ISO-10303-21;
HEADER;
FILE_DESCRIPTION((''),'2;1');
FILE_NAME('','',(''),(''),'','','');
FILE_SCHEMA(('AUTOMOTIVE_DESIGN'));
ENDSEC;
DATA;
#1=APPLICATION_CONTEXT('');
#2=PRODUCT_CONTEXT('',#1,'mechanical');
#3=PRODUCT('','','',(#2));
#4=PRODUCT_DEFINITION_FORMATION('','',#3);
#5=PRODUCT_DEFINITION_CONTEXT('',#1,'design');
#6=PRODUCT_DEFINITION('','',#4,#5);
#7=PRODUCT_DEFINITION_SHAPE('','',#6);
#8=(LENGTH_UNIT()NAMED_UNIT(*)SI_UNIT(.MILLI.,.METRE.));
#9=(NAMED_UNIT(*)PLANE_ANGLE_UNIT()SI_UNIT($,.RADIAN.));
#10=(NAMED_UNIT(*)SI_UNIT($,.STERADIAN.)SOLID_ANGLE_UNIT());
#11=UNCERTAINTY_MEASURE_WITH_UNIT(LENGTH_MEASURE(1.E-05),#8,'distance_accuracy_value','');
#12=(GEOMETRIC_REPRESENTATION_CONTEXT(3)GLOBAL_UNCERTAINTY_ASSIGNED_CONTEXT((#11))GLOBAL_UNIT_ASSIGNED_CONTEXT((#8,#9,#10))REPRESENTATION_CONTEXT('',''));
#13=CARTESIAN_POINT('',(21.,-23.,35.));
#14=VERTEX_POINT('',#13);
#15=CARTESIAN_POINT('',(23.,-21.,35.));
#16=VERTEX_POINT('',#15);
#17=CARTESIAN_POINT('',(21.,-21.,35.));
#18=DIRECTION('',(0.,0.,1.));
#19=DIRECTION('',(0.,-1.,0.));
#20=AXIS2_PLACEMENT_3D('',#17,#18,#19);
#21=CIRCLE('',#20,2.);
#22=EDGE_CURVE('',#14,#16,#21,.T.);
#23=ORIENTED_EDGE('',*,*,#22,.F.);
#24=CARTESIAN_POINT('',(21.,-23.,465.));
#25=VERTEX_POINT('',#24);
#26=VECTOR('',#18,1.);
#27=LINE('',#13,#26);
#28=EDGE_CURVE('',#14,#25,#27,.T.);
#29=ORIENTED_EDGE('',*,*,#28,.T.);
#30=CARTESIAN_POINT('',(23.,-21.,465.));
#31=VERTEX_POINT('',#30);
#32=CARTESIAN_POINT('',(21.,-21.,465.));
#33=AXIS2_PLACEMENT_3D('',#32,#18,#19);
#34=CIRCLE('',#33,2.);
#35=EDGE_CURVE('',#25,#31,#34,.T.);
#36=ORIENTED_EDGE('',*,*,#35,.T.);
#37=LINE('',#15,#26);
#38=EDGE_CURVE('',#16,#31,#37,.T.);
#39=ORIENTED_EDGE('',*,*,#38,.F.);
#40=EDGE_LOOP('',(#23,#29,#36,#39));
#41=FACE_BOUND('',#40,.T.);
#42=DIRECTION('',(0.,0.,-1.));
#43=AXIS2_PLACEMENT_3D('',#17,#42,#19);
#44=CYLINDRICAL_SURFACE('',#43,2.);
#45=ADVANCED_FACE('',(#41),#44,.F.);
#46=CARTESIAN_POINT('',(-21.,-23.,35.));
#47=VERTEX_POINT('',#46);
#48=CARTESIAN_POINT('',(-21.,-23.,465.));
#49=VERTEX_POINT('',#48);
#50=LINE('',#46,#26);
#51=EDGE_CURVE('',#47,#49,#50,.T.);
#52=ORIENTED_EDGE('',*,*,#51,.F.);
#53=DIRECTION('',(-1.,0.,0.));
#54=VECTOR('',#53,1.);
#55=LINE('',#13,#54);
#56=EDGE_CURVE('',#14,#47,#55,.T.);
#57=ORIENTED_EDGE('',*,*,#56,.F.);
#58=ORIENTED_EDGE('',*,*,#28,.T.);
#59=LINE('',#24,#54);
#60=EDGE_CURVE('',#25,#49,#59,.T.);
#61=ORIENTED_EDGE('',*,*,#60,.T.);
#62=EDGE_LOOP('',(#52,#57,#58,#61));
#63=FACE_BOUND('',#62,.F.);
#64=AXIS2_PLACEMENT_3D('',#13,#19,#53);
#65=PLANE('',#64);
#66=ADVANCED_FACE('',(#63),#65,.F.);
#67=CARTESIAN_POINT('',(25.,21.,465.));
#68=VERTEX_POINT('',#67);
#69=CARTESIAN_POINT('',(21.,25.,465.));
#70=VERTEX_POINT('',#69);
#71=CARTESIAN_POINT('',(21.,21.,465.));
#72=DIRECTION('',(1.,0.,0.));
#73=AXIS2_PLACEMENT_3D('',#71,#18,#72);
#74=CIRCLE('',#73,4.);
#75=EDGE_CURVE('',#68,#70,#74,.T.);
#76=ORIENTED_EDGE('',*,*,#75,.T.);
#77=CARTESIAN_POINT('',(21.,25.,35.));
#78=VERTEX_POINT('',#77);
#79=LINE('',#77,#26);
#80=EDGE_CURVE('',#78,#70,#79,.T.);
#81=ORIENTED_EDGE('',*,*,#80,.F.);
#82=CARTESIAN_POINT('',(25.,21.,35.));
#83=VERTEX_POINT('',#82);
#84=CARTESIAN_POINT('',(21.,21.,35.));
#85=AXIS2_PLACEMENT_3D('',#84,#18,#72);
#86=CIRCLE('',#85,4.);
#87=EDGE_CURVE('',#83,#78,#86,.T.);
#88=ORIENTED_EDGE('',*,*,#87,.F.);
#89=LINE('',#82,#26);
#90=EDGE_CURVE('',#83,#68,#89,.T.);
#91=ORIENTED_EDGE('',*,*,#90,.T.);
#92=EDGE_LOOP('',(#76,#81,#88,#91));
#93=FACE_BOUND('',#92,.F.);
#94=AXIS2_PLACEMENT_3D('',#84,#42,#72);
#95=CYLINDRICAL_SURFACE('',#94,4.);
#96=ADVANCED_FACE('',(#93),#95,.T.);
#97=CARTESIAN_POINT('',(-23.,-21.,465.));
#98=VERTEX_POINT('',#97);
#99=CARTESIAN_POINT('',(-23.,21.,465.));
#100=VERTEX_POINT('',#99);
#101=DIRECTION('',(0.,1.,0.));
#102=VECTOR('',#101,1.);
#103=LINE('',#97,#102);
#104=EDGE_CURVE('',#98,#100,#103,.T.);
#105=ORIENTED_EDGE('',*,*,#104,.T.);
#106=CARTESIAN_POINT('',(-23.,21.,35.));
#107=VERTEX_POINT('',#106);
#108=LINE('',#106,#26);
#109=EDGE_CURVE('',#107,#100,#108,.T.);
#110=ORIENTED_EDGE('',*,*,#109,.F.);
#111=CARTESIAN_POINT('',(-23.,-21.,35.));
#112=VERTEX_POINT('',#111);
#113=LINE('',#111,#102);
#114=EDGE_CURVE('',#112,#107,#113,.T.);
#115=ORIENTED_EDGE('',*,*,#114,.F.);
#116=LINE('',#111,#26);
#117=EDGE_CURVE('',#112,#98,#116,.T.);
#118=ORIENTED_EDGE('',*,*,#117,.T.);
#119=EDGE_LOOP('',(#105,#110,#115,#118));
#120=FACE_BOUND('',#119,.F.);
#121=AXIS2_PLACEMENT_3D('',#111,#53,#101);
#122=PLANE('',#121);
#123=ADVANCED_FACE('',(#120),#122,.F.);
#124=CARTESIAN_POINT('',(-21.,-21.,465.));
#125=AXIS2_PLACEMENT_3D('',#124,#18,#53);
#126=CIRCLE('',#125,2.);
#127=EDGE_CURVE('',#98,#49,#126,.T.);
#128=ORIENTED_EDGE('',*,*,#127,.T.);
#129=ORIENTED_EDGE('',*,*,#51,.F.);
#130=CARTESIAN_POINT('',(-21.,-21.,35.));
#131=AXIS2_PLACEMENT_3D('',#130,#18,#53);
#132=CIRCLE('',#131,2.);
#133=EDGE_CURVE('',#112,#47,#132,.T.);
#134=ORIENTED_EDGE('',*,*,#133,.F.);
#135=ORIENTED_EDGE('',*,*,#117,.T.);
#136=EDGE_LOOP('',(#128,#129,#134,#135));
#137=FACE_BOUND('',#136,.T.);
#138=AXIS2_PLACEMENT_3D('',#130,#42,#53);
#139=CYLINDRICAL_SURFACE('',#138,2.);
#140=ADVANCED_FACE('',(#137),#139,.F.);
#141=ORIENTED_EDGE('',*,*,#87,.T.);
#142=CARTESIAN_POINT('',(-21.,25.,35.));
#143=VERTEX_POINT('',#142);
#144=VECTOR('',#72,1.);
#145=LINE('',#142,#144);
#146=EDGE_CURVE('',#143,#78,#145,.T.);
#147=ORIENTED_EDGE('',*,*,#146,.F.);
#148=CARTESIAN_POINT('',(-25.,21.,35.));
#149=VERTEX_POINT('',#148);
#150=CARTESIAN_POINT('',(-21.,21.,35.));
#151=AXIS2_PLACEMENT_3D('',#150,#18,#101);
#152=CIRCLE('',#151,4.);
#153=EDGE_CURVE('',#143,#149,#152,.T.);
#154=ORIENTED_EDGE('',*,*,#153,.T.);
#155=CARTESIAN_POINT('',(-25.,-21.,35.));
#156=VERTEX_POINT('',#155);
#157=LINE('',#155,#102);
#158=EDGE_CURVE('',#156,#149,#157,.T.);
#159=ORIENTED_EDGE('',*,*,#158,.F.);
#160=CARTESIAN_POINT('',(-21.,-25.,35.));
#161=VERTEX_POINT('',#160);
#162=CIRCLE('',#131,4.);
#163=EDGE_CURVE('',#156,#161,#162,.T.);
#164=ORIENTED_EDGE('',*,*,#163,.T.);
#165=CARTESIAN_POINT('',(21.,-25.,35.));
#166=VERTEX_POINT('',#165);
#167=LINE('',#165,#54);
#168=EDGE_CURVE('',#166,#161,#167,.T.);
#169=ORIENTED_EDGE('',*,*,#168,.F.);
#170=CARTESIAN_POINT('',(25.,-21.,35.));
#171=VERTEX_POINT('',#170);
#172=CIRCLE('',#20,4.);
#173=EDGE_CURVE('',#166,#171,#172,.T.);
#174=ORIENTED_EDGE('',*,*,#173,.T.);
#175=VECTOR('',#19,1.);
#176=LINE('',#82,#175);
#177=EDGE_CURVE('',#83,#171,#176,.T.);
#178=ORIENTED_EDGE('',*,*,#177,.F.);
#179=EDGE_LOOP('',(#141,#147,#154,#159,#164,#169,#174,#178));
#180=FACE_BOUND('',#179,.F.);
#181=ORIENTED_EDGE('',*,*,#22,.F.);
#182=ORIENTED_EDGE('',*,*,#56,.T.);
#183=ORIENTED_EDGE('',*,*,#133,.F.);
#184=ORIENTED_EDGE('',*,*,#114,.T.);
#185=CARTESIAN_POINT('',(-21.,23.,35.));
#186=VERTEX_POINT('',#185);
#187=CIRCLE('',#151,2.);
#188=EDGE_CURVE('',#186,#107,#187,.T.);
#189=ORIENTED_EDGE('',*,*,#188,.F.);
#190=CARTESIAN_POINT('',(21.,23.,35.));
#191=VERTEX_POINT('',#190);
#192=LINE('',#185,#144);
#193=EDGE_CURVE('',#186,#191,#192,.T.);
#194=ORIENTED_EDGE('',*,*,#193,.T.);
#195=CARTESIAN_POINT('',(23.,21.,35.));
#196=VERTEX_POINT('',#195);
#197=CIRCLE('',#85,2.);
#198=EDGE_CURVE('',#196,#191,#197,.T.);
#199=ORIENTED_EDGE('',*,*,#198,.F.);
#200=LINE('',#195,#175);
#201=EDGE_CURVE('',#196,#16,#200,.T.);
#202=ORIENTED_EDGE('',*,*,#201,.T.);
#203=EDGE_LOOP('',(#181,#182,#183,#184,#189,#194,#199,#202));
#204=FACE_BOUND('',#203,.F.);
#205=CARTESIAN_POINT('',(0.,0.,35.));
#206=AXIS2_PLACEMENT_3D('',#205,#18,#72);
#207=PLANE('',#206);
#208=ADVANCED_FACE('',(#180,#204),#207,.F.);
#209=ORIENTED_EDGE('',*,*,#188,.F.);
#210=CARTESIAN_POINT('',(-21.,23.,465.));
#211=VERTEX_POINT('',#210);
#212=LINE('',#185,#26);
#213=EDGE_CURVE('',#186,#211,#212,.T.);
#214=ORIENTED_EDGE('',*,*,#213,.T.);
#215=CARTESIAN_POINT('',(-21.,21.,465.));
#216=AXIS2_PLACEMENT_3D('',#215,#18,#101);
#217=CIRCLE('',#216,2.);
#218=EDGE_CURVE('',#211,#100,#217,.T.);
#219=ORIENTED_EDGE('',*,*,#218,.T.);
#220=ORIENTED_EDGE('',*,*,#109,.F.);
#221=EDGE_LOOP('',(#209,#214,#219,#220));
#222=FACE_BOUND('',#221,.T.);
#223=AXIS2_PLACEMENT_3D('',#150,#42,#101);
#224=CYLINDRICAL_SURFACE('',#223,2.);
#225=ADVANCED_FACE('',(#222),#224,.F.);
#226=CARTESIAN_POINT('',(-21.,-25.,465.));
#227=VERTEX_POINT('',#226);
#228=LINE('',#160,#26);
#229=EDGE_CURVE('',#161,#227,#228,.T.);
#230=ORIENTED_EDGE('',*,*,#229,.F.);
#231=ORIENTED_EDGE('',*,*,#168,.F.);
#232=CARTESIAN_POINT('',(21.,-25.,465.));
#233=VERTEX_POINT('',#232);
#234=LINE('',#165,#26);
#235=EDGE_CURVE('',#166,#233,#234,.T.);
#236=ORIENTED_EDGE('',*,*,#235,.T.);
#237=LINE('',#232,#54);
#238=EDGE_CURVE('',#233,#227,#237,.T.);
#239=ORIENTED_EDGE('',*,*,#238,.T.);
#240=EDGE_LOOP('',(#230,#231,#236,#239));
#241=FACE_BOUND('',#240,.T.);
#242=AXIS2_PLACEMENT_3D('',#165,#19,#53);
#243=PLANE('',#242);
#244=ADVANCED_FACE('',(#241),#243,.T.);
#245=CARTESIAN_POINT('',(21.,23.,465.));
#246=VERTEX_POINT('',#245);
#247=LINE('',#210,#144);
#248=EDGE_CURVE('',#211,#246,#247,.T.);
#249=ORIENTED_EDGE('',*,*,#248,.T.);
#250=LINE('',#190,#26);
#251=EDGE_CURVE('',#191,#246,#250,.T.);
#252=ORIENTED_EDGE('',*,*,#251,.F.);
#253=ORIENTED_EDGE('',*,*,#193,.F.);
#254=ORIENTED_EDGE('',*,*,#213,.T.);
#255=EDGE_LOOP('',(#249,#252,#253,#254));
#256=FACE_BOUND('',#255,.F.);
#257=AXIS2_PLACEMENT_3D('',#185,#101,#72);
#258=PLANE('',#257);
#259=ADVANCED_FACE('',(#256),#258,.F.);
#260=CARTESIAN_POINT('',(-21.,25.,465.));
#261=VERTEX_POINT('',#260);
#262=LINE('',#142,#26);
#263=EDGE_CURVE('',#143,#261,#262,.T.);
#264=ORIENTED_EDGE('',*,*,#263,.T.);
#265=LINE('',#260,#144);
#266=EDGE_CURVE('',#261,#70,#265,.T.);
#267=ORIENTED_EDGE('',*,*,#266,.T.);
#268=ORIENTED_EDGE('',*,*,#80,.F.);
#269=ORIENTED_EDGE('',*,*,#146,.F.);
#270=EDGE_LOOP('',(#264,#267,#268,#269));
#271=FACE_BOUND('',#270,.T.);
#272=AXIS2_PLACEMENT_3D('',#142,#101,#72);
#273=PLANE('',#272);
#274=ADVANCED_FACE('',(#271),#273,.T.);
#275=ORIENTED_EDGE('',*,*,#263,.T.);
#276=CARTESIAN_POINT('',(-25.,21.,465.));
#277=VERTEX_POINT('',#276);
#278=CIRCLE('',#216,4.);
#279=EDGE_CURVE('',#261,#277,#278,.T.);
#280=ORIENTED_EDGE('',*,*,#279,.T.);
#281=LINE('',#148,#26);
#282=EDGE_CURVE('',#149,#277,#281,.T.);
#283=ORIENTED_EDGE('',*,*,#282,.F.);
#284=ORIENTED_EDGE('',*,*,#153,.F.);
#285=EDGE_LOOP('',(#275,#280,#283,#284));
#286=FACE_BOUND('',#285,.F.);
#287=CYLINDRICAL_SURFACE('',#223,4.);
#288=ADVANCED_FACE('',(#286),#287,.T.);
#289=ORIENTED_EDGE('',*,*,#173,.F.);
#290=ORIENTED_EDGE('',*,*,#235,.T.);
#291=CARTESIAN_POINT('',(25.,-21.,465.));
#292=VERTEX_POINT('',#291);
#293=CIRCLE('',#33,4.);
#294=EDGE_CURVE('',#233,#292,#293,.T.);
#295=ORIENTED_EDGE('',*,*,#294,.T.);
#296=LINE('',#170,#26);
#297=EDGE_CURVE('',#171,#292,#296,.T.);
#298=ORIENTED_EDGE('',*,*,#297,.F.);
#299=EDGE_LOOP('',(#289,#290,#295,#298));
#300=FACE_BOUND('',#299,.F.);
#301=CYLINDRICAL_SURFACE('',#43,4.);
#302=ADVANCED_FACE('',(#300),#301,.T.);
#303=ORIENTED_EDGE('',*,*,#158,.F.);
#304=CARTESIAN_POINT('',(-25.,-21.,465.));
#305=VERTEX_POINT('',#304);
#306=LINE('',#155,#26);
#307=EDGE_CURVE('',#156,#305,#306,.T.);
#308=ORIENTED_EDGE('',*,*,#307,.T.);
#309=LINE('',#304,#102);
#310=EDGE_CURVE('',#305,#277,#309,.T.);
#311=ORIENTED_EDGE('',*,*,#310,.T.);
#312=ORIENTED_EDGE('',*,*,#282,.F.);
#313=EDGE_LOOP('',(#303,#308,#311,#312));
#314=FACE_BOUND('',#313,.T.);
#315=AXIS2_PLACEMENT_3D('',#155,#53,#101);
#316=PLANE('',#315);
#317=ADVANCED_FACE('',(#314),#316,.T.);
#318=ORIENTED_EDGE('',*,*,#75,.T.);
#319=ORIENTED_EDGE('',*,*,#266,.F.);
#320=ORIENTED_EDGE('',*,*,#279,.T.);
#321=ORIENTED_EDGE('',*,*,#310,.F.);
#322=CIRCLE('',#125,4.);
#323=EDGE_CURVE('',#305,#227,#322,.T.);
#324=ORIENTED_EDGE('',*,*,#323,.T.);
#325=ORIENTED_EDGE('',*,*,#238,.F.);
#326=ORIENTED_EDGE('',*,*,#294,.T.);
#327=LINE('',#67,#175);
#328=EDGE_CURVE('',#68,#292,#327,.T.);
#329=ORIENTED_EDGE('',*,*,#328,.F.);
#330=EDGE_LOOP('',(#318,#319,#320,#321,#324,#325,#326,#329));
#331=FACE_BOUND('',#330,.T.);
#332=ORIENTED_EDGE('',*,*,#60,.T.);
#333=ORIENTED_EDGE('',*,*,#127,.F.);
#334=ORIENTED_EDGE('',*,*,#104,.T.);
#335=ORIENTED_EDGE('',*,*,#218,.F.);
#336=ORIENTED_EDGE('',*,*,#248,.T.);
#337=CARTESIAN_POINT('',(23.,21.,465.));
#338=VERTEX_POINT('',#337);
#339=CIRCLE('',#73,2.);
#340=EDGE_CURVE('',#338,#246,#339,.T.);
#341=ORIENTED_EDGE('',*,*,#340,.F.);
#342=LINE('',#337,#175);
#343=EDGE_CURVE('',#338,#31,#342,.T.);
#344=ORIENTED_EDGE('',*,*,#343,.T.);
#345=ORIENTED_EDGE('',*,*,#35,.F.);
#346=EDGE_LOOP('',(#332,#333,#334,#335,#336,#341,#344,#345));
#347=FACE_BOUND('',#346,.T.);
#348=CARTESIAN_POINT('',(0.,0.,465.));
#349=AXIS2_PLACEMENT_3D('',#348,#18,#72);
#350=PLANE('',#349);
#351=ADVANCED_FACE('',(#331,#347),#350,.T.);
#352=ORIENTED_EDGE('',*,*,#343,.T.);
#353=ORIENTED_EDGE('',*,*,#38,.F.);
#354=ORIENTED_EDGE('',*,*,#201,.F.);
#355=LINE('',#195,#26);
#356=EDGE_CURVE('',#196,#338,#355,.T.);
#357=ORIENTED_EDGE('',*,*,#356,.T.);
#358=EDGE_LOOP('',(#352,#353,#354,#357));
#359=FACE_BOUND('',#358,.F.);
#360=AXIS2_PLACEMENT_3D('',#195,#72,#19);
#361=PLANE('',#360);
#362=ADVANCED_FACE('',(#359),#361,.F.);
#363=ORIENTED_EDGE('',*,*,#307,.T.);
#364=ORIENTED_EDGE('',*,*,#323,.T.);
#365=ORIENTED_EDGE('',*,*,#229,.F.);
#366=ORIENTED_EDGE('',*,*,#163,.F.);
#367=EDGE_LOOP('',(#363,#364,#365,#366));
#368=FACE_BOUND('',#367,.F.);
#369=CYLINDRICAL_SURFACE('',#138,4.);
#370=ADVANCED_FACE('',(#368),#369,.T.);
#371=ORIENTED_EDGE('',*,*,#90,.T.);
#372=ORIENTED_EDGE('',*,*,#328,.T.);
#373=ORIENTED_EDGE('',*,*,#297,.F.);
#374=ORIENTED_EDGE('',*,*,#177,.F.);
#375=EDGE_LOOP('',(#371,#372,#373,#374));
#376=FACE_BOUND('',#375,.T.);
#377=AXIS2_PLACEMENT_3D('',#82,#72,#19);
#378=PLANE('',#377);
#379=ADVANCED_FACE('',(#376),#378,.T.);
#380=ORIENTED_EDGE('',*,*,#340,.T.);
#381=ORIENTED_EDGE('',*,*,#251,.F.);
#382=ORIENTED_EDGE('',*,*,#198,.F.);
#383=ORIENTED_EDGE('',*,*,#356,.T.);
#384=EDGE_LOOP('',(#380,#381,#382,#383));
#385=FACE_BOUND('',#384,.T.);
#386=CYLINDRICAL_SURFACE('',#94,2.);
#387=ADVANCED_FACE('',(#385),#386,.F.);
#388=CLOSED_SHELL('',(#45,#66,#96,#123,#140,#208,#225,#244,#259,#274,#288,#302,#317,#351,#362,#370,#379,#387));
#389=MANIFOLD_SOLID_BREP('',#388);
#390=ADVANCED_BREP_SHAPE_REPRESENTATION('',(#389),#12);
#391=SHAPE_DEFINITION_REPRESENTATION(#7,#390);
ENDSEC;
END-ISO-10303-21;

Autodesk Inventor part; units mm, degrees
ref_plane "Plano inicial" through (0, 0, 35) normal (0, 0, 1) x (1, 0, 0)
ref_plane "Plano final" through (0, 0, 465) normal (0, 0, 1) x (1, 0, 0)
sketch "Boceto" plane through (0, 0, 0) normal (0, 0, 1) x (1, 0, 0)
  line L0 (-25, -21) -> (-25, 21)
  line L1 (-21, 25) -> (21, 25)
  line L2 (25, 21) -> (25, -21)
  line L3 (21, -25) -> (-21, -25)
  arc A0 (-25, -21) -> (-21, -25) centre (-21, -21) ccw
  arc A1 (25, 21) -> (21, 25) centre (21, 21) ccw
  arc A2 (-21, 25) -> (-25, 21) centre (-21, 21) ccw
  arc A3 (21, -25) -> (25, -21) centre (21, -21) ccw
  arc A4 (-21, 23) -> (-23, 21) centre (-21, 21) ccw
  line L4 (-21, 23) -> (21, 23)
  arc A5 (23, 21) -> (21, 23) centre (21, 21) ccw
  line L5 (23, 21) -> (23, -21)
  arc A6 (21, -23) -> (23, -21) centre (21, -21) ccw
  line L6 (21, -23) -> (-21, -23)
  arc A7 (-23, -21) -> (-21, -23) centre (-21, -21) ccw
  line L7 (-23, -21) -> (-23, 21)
  line L8 (0, 36.1598) -> (0, -36.1598) construction
  line L9 (-36.1598, 0) -> (36.1598, 0) construction
  dimension "d7" = 4
  dimension "d9" = 50
  dimension "d11" = 50
  dimension "d12" = 2
  dimension "d15" = 25
  dimension "d16" = 25
extrude "Cuerpo" add sketch "Boceto" along normal up to surface (430 mm away) from surface at 35
sketch "Sketch3" plane through (0, 0, 0) normal (0, 0, 1) x (1, 0, 0)
  line L0 (0, 0) -> (10, 0)
ref_plane "Work Plane3" through (0, 0, 0) normal (0, -1, 0) x (1, 0, 0)
sketch "Sketch4" plane through (0, 0, 0) normal (0, -1, 0) x (1, 0, 0)
  line L0 (-2, 35) -> (12, 35)
  line L1 (-2, 465) -> (12, 465)
  dimension "d18" = 430
ref_plane "Plano de trabajo4" through (940, 29, 35) normal (0, 0, -1) x (-1, 0, 0)
split "Dividir1" plane through (940, 29, 35) removes the side toward (0, 0, -1)
ref_plane "Plano de trabajo5" through (940, -29, 465) normal (0, 0, 1) x (1, 0, 0)
split "Dividir2" plane through (940, -29, 465) removes the side toward (0, 0, 1)
equation "\"d7\" = G_IR"
equation "\"d9\" = G_W"
equation "\"d11\" = G_H"
equation "\"d12\" = G_T"
equation "\"d15\" = 0.5 * d9"
equation "\"d16\" = 0.5 * d11"
equation "\"d3\" = G_L"
equation "\"G_W\" = 50"
equation "\"G_H\" = 50"
equation "\"G_T\" = 2"
equation "\"G_IR\" = 4"
equation "\"G_L\" = d18"
equation "\"G_OFFSET_START\" = -35"
equation "\"G_OFFSET_END\" = -35"
equation "\"d13\" = -G_OFFSET_START"
equation "\"d14\" = G_OFFSET_END + B_L"
equation "\"B_L\" = 500"
properties part number "ISO 10799-2 - 50x50x2 - 430" material "Galvanizado catalogo 1"
